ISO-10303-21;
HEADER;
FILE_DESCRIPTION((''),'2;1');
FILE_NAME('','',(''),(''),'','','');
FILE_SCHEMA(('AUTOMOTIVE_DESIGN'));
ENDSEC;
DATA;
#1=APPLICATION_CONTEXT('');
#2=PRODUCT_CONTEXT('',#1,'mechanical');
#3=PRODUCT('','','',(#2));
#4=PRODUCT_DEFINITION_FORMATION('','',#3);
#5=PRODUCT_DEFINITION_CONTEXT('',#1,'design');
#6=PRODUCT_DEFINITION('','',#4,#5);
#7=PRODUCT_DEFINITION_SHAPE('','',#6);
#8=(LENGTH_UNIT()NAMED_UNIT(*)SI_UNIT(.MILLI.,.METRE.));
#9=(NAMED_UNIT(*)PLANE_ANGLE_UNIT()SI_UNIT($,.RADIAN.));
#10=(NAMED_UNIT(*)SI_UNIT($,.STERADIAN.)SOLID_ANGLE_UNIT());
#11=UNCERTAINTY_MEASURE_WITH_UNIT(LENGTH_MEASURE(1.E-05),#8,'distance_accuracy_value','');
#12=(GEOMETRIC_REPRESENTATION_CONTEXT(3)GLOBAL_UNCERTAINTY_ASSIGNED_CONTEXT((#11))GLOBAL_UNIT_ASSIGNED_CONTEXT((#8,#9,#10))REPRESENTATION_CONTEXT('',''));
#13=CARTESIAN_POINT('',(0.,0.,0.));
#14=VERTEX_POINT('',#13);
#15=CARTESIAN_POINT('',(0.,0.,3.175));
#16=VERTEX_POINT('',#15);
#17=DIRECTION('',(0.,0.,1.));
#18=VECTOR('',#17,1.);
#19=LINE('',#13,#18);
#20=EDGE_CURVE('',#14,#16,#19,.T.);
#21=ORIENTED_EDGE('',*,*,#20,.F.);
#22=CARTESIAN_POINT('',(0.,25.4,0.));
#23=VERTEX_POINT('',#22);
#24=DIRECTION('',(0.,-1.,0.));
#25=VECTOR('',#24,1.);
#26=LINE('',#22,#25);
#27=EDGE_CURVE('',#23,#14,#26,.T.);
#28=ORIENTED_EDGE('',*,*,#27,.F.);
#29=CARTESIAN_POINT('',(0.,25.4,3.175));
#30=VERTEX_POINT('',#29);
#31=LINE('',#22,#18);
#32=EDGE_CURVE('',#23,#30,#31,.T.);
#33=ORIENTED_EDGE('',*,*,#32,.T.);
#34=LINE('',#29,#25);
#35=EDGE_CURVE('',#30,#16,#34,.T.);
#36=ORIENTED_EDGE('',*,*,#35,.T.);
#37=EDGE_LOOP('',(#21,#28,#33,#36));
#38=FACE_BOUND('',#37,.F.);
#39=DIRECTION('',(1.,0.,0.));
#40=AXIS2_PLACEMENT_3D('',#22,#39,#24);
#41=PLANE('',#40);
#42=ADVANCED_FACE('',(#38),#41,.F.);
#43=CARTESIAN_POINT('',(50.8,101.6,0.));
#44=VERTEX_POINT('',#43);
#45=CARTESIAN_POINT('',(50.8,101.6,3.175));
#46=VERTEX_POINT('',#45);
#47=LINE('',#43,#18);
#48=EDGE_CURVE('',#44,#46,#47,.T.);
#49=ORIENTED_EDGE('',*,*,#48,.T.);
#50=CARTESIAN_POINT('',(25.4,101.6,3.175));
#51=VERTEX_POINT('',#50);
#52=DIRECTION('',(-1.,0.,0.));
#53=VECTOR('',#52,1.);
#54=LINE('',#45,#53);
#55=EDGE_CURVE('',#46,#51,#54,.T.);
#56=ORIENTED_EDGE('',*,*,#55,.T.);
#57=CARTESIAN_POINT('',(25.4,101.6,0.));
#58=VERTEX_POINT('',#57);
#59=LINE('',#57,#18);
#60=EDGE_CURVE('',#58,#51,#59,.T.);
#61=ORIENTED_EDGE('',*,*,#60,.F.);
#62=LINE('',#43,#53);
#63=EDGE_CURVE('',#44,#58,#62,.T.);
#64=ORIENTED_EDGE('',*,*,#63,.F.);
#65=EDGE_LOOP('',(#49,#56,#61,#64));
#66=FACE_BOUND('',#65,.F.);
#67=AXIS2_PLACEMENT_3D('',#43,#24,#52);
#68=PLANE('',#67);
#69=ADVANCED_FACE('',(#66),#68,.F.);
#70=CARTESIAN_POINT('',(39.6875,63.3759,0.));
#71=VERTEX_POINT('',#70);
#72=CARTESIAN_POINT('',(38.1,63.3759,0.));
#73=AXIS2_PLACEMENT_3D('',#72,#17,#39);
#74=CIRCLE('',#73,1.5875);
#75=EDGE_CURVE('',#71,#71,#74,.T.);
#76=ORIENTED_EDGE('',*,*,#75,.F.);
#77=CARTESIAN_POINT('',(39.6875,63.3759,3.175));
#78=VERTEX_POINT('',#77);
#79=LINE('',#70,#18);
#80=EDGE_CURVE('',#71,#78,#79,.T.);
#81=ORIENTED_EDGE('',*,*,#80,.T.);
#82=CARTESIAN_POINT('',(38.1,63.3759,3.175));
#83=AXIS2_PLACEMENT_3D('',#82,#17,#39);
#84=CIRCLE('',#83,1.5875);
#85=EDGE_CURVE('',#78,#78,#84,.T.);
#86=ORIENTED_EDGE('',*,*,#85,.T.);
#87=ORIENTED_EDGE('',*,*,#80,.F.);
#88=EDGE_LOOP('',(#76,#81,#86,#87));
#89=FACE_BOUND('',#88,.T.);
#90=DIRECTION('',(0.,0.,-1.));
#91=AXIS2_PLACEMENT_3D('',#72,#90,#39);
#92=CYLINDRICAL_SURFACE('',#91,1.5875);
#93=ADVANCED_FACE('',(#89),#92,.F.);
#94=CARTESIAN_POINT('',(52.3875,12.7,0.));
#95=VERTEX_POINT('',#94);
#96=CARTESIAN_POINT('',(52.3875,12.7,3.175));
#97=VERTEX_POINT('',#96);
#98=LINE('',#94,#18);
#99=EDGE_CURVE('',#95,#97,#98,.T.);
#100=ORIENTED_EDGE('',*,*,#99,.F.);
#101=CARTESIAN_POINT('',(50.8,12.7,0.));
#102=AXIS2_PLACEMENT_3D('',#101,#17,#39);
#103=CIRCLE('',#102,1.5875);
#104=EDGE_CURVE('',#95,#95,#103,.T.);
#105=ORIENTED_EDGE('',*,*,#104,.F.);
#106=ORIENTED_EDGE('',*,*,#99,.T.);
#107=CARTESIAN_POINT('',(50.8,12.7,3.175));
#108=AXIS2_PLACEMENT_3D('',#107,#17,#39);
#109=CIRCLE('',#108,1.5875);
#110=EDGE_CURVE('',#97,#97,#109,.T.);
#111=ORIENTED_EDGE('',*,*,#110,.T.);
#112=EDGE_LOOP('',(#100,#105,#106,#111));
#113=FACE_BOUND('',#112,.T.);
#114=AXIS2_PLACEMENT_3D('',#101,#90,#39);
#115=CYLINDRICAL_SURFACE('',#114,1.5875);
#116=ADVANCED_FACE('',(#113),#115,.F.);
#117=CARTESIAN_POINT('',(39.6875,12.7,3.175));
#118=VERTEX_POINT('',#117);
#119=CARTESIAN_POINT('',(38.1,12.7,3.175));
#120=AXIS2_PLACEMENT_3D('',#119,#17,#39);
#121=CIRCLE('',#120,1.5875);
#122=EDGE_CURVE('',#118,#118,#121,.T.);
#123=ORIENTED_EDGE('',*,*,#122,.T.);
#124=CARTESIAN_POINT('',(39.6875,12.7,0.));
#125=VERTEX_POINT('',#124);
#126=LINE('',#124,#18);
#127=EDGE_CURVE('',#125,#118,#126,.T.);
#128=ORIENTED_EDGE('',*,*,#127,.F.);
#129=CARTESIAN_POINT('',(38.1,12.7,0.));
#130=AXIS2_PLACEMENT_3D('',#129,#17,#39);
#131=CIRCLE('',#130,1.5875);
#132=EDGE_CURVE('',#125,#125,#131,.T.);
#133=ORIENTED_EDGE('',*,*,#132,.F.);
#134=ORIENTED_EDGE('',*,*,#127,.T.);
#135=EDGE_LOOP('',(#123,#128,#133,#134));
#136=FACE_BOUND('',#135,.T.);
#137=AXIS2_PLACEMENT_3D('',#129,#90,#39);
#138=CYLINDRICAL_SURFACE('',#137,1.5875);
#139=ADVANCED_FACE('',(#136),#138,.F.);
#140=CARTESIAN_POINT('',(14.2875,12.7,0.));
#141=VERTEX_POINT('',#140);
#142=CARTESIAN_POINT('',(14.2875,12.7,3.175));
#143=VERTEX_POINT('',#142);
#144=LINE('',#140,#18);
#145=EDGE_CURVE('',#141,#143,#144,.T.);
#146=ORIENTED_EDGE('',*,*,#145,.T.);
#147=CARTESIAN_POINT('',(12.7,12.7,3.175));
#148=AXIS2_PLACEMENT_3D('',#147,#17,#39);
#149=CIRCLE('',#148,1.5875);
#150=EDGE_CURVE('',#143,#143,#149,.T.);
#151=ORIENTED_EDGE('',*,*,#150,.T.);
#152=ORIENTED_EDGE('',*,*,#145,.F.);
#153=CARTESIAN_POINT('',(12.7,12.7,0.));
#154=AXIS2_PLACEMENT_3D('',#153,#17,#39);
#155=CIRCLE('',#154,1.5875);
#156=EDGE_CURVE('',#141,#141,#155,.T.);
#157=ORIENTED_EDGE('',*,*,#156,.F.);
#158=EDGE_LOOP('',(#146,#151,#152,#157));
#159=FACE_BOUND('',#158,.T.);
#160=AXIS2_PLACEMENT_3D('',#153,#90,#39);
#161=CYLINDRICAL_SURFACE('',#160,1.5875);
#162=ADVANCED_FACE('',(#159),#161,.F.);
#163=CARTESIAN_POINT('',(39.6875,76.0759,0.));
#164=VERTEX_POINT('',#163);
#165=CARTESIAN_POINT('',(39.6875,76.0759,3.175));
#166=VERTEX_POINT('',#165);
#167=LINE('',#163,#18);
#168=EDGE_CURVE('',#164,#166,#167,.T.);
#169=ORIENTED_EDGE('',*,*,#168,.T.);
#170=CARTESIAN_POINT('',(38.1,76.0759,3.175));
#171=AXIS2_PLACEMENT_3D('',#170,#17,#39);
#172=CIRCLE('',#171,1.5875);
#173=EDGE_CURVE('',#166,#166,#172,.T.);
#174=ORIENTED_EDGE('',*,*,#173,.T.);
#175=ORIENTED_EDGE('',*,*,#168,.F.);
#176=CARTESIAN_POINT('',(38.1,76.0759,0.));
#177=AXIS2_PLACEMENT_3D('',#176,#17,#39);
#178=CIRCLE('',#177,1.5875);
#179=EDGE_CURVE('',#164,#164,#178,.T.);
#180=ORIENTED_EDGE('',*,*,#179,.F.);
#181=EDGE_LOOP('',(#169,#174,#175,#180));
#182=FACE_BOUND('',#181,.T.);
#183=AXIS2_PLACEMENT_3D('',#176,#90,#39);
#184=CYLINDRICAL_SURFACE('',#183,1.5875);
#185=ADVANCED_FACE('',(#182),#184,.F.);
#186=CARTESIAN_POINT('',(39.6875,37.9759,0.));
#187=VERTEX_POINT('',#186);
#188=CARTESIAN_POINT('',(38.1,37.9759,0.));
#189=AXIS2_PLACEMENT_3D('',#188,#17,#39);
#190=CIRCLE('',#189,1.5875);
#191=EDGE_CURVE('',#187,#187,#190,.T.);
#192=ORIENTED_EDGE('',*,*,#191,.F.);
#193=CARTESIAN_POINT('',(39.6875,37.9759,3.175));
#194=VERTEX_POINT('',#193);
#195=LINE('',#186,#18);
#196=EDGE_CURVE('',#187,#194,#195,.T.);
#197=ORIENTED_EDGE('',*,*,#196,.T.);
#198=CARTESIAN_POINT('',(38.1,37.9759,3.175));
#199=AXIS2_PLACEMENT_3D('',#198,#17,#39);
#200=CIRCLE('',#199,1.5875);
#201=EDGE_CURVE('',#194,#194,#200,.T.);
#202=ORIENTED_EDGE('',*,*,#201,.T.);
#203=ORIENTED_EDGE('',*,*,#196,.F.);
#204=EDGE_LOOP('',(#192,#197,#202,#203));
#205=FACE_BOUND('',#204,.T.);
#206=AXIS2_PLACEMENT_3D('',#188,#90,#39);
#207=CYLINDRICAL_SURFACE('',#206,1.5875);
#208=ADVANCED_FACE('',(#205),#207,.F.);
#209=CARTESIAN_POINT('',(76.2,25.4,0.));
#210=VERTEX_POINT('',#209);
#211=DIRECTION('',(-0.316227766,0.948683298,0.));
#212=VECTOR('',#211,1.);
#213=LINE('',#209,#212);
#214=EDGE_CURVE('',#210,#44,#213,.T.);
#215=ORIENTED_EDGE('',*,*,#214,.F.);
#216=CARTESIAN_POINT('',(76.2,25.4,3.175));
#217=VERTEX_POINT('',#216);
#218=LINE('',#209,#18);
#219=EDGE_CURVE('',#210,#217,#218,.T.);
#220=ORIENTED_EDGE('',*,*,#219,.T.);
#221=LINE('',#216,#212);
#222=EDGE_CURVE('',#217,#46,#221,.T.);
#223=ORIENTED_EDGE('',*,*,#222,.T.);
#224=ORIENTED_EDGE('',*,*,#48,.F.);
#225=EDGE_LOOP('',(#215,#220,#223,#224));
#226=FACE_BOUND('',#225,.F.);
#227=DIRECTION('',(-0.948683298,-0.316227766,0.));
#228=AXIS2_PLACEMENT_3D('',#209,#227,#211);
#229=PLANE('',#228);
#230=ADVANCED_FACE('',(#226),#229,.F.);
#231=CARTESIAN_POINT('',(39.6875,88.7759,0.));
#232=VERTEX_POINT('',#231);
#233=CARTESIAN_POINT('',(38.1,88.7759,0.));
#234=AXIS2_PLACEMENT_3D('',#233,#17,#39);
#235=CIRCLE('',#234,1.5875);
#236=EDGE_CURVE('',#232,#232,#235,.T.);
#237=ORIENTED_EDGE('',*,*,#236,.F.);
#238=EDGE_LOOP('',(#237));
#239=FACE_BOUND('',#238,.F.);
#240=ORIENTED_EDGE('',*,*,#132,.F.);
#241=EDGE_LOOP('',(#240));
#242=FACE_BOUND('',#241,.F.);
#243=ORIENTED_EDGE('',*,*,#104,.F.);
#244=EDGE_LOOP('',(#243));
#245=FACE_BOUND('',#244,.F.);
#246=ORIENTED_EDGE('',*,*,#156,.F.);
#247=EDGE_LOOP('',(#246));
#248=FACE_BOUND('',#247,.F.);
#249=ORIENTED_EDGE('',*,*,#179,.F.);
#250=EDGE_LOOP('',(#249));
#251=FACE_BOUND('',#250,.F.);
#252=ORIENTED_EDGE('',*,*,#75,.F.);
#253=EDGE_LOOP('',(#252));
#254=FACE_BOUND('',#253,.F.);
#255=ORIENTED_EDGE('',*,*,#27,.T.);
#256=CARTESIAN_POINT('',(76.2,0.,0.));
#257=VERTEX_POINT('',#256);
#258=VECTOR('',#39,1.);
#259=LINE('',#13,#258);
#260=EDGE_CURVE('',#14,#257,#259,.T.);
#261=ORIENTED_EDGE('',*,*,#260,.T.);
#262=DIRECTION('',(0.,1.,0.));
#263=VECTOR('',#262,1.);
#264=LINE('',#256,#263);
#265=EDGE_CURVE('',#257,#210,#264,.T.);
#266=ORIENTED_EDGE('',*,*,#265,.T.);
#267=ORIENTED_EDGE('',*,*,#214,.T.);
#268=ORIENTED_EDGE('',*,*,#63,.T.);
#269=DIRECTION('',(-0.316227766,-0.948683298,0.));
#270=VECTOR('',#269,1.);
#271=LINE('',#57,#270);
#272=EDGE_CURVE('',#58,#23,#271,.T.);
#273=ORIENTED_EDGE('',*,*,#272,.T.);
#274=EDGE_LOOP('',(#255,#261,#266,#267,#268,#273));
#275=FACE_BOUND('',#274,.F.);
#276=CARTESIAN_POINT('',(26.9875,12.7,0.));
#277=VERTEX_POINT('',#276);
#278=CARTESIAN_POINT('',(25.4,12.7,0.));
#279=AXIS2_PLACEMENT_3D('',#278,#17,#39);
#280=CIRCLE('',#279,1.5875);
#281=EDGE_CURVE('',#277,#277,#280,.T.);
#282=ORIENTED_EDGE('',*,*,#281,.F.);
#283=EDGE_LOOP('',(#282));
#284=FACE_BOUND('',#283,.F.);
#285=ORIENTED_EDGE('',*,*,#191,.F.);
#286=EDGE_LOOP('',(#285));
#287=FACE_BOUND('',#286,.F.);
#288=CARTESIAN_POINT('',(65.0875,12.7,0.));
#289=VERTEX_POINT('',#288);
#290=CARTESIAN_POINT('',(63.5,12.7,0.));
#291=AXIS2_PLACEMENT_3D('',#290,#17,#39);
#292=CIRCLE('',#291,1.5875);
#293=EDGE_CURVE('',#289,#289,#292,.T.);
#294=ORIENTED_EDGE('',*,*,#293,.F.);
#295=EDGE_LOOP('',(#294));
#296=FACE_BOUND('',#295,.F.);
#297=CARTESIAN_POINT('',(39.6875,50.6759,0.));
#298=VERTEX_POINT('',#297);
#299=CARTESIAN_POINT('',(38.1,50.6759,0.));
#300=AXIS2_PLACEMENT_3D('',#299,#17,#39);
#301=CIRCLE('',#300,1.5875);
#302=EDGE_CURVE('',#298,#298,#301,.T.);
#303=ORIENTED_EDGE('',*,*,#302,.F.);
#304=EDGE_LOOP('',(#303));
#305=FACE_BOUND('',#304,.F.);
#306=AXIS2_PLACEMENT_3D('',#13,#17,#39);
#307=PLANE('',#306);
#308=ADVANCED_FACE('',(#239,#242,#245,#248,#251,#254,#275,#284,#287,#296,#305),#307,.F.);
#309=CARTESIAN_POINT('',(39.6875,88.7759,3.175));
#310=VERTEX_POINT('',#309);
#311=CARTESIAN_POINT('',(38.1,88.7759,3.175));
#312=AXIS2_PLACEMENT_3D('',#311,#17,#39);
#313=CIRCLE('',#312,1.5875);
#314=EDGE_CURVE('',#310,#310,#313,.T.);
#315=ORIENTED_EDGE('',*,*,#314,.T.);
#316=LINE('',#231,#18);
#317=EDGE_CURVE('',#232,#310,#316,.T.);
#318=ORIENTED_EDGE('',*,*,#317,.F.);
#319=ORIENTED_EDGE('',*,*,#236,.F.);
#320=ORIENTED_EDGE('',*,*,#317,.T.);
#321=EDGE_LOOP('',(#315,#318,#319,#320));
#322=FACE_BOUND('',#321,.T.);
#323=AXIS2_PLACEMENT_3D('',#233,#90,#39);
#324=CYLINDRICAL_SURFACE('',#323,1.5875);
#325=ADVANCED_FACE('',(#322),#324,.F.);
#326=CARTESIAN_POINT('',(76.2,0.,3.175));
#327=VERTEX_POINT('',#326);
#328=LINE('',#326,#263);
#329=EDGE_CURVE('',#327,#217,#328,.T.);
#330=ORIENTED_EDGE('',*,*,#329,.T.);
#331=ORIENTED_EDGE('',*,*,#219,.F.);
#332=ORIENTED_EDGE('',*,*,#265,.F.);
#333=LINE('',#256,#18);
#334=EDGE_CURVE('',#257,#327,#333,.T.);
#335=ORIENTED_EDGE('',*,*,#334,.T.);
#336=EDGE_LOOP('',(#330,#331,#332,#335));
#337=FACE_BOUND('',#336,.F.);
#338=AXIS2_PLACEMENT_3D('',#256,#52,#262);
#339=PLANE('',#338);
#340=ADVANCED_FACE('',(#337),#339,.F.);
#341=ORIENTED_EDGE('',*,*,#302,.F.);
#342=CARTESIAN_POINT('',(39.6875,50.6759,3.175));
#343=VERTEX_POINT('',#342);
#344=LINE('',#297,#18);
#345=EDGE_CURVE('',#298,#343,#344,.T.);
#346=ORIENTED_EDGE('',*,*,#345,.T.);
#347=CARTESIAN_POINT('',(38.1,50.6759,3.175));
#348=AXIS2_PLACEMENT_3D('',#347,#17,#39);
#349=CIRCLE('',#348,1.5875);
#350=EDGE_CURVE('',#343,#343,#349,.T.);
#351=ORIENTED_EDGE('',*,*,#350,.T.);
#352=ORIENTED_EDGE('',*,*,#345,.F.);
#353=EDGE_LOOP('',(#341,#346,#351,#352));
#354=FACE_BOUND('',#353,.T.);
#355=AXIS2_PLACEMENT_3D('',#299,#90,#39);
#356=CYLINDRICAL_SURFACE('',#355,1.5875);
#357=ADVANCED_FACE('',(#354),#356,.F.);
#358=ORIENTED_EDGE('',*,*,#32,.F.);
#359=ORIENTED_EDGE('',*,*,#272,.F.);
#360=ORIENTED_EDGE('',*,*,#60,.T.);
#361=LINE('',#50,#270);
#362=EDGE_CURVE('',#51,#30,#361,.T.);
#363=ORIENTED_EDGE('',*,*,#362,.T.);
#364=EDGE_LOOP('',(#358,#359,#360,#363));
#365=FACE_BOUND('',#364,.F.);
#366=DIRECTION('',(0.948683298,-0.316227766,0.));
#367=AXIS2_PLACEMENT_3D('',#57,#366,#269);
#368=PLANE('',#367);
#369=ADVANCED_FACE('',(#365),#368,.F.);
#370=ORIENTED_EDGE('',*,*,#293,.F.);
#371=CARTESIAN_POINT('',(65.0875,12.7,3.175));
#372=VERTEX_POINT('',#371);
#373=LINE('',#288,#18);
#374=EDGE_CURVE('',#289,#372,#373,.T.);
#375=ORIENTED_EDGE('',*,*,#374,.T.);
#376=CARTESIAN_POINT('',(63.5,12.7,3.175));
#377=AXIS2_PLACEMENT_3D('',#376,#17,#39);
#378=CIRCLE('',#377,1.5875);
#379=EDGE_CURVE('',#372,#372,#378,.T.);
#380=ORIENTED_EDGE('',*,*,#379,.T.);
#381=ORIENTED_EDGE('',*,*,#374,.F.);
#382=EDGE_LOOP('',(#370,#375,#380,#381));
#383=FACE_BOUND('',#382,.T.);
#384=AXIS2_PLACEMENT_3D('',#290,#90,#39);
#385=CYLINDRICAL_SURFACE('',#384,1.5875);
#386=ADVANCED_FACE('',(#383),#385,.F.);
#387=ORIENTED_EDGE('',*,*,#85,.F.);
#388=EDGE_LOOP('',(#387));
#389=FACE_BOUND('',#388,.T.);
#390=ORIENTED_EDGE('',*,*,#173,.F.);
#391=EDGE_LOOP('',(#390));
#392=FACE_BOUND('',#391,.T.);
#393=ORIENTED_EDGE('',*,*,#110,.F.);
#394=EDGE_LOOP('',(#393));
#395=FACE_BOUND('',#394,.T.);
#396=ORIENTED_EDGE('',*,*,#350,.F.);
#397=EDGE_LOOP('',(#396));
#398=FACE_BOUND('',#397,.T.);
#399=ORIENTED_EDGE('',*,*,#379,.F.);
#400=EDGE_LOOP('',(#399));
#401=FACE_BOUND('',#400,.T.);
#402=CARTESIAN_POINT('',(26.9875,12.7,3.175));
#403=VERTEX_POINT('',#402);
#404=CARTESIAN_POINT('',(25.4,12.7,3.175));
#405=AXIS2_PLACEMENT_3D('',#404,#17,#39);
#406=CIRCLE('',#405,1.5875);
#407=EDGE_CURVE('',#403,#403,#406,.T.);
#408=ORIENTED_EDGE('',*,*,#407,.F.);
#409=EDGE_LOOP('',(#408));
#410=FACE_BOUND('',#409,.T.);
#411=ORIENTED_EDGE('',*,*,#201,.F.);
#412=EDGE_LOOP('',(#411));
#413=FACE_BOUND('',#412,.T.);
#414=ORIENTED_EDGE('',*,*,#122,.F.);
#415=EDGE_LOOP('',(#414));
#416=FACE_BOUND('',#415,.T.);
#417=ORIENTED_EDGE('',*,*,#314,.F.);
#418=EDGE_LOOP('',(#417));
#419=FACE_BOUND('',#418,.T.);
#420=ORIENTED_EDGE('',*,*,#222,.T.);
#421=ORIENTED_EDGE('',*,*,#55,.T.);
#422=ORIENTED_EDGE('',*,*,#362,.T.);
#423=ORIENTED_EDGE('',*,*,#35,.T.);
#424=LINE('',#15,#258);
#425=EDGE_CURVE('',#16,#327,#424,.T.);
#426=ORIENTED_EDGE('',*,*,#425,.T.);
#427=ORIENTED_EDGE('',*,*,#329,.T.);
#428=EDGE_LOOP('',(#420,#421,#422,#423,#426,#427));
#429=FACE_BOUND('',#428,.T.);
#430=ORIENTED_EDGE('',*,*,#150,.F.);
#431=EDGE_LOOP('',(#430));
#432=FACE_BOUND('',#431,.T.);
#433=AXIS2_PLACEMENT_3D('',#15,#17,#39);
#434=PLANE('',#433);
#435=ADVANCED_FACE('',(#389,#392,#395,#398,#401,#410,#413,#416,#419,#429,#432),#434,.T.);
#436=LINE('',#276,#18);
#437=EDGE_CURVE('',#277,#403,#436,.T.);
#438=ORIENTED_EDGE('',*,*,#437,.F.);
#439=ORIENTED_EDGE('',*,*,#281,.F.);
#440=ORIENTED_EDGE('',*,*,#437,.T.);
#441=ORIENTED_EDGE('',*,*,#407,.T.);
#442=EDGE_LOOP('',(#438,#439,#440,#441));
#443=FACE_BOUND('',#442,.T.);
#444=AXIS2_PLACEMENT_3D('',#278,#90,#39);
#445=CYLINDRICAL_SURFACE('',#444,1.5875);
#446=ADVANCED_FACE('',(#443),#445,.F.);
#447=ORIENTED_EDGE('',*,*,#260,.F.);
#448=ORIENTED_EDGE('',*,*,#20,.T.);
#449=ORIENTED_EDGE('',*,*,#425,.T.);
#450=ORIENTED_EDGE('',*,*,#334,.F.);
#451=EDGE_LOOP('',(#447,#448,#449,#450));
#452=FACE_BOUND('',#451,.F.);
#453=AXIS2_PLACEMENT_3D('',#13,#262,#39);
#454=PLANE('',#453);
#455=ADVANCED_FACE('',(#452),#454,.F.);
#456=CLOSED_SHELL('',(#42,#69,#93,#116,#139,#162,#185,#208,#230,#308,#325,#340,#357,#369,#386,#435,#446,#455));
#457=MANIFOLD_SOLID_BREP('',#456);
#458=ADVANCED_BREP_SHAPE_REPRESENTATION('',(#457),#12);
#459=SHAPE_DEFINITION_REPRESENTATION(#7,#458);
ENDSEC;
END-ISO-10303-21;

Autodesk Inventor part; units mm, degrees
ref_plane "YZ Plane" through (0, 0, 0) normal (1, 0, 0) x (0, 1, 0)
ref_plane "XZ Plane" through (0, 0, 0) normal (0, 1, 0) x (-1, 0, 0)
ref_plane "XY Plane" through (0, 0, 0) normal (0, 0, 1) x (1, 0, 0)
sketch "Sketch1" plane through (0, 0, 0) normal (0, 0, 1) x (1, 0, 0)
  line L0 (0, 0) -> (76.2, 0)
  line L1 (76.2, 0) -> (76.2, 25.4)
  line L2 (76.2, 25.4) -> (50.8, 101.6)
  line L3 (50.8, 101.6) -> (25.4, 101.6)
  line L4 (25.4, 101.6) -> (0, 25.4)
  line L5 (0, 25.4) -> (0, 0)
  line L6 (0, 25.4) -> (76.2, 25.4) construction
  line L7 (25.4, 101.6) -> (25.4, 25.4) construction
  line L8 (50.8, 101.6) -> (50.8, 25.4) construction
  circle A0 centre (12.7, 12.7) radius 1.5875
  circle A1 centre (25.4, 12.7) radius 1.5875
  circle A2 centre (38.1, 12.7) radius 1.5875
  circle A3 centre (50.8, 12.7) radius 1.5875
  circle A4 centre (63.5, 12.7) radius 1.5875
  circle A5 centre (38.1, 88.7759) radius 1.5875
  circle A6 centre (38.1, 76.0759) radius 1.5875
  circle A7 centre (38.1, 63.3759) radius 1.5875
  circle A8 centre (38.1, 50.6759) radius 1.5875
  circle A9 centre (38.1, 37.9759) radius 1.5875
  dimension "d0" = 25.4
  dimension "d1" = 76.2
  dimension "d2" = 101.6
  dimension "d3" = 12.7
  dimension "d4" = 12.7
  dimension "d7" = 12.7
  dimension "d12" = 3.175
  dimension "d13" = 12.8241
  dimension "d14" = 12.7
  dimension "d17" = 12.7
extrude "Extrusion1" add sketch "Sketch1" along normal blind 3.175
equation "\"d4\" = d3"
properties part number "8 ball frame gusset"
